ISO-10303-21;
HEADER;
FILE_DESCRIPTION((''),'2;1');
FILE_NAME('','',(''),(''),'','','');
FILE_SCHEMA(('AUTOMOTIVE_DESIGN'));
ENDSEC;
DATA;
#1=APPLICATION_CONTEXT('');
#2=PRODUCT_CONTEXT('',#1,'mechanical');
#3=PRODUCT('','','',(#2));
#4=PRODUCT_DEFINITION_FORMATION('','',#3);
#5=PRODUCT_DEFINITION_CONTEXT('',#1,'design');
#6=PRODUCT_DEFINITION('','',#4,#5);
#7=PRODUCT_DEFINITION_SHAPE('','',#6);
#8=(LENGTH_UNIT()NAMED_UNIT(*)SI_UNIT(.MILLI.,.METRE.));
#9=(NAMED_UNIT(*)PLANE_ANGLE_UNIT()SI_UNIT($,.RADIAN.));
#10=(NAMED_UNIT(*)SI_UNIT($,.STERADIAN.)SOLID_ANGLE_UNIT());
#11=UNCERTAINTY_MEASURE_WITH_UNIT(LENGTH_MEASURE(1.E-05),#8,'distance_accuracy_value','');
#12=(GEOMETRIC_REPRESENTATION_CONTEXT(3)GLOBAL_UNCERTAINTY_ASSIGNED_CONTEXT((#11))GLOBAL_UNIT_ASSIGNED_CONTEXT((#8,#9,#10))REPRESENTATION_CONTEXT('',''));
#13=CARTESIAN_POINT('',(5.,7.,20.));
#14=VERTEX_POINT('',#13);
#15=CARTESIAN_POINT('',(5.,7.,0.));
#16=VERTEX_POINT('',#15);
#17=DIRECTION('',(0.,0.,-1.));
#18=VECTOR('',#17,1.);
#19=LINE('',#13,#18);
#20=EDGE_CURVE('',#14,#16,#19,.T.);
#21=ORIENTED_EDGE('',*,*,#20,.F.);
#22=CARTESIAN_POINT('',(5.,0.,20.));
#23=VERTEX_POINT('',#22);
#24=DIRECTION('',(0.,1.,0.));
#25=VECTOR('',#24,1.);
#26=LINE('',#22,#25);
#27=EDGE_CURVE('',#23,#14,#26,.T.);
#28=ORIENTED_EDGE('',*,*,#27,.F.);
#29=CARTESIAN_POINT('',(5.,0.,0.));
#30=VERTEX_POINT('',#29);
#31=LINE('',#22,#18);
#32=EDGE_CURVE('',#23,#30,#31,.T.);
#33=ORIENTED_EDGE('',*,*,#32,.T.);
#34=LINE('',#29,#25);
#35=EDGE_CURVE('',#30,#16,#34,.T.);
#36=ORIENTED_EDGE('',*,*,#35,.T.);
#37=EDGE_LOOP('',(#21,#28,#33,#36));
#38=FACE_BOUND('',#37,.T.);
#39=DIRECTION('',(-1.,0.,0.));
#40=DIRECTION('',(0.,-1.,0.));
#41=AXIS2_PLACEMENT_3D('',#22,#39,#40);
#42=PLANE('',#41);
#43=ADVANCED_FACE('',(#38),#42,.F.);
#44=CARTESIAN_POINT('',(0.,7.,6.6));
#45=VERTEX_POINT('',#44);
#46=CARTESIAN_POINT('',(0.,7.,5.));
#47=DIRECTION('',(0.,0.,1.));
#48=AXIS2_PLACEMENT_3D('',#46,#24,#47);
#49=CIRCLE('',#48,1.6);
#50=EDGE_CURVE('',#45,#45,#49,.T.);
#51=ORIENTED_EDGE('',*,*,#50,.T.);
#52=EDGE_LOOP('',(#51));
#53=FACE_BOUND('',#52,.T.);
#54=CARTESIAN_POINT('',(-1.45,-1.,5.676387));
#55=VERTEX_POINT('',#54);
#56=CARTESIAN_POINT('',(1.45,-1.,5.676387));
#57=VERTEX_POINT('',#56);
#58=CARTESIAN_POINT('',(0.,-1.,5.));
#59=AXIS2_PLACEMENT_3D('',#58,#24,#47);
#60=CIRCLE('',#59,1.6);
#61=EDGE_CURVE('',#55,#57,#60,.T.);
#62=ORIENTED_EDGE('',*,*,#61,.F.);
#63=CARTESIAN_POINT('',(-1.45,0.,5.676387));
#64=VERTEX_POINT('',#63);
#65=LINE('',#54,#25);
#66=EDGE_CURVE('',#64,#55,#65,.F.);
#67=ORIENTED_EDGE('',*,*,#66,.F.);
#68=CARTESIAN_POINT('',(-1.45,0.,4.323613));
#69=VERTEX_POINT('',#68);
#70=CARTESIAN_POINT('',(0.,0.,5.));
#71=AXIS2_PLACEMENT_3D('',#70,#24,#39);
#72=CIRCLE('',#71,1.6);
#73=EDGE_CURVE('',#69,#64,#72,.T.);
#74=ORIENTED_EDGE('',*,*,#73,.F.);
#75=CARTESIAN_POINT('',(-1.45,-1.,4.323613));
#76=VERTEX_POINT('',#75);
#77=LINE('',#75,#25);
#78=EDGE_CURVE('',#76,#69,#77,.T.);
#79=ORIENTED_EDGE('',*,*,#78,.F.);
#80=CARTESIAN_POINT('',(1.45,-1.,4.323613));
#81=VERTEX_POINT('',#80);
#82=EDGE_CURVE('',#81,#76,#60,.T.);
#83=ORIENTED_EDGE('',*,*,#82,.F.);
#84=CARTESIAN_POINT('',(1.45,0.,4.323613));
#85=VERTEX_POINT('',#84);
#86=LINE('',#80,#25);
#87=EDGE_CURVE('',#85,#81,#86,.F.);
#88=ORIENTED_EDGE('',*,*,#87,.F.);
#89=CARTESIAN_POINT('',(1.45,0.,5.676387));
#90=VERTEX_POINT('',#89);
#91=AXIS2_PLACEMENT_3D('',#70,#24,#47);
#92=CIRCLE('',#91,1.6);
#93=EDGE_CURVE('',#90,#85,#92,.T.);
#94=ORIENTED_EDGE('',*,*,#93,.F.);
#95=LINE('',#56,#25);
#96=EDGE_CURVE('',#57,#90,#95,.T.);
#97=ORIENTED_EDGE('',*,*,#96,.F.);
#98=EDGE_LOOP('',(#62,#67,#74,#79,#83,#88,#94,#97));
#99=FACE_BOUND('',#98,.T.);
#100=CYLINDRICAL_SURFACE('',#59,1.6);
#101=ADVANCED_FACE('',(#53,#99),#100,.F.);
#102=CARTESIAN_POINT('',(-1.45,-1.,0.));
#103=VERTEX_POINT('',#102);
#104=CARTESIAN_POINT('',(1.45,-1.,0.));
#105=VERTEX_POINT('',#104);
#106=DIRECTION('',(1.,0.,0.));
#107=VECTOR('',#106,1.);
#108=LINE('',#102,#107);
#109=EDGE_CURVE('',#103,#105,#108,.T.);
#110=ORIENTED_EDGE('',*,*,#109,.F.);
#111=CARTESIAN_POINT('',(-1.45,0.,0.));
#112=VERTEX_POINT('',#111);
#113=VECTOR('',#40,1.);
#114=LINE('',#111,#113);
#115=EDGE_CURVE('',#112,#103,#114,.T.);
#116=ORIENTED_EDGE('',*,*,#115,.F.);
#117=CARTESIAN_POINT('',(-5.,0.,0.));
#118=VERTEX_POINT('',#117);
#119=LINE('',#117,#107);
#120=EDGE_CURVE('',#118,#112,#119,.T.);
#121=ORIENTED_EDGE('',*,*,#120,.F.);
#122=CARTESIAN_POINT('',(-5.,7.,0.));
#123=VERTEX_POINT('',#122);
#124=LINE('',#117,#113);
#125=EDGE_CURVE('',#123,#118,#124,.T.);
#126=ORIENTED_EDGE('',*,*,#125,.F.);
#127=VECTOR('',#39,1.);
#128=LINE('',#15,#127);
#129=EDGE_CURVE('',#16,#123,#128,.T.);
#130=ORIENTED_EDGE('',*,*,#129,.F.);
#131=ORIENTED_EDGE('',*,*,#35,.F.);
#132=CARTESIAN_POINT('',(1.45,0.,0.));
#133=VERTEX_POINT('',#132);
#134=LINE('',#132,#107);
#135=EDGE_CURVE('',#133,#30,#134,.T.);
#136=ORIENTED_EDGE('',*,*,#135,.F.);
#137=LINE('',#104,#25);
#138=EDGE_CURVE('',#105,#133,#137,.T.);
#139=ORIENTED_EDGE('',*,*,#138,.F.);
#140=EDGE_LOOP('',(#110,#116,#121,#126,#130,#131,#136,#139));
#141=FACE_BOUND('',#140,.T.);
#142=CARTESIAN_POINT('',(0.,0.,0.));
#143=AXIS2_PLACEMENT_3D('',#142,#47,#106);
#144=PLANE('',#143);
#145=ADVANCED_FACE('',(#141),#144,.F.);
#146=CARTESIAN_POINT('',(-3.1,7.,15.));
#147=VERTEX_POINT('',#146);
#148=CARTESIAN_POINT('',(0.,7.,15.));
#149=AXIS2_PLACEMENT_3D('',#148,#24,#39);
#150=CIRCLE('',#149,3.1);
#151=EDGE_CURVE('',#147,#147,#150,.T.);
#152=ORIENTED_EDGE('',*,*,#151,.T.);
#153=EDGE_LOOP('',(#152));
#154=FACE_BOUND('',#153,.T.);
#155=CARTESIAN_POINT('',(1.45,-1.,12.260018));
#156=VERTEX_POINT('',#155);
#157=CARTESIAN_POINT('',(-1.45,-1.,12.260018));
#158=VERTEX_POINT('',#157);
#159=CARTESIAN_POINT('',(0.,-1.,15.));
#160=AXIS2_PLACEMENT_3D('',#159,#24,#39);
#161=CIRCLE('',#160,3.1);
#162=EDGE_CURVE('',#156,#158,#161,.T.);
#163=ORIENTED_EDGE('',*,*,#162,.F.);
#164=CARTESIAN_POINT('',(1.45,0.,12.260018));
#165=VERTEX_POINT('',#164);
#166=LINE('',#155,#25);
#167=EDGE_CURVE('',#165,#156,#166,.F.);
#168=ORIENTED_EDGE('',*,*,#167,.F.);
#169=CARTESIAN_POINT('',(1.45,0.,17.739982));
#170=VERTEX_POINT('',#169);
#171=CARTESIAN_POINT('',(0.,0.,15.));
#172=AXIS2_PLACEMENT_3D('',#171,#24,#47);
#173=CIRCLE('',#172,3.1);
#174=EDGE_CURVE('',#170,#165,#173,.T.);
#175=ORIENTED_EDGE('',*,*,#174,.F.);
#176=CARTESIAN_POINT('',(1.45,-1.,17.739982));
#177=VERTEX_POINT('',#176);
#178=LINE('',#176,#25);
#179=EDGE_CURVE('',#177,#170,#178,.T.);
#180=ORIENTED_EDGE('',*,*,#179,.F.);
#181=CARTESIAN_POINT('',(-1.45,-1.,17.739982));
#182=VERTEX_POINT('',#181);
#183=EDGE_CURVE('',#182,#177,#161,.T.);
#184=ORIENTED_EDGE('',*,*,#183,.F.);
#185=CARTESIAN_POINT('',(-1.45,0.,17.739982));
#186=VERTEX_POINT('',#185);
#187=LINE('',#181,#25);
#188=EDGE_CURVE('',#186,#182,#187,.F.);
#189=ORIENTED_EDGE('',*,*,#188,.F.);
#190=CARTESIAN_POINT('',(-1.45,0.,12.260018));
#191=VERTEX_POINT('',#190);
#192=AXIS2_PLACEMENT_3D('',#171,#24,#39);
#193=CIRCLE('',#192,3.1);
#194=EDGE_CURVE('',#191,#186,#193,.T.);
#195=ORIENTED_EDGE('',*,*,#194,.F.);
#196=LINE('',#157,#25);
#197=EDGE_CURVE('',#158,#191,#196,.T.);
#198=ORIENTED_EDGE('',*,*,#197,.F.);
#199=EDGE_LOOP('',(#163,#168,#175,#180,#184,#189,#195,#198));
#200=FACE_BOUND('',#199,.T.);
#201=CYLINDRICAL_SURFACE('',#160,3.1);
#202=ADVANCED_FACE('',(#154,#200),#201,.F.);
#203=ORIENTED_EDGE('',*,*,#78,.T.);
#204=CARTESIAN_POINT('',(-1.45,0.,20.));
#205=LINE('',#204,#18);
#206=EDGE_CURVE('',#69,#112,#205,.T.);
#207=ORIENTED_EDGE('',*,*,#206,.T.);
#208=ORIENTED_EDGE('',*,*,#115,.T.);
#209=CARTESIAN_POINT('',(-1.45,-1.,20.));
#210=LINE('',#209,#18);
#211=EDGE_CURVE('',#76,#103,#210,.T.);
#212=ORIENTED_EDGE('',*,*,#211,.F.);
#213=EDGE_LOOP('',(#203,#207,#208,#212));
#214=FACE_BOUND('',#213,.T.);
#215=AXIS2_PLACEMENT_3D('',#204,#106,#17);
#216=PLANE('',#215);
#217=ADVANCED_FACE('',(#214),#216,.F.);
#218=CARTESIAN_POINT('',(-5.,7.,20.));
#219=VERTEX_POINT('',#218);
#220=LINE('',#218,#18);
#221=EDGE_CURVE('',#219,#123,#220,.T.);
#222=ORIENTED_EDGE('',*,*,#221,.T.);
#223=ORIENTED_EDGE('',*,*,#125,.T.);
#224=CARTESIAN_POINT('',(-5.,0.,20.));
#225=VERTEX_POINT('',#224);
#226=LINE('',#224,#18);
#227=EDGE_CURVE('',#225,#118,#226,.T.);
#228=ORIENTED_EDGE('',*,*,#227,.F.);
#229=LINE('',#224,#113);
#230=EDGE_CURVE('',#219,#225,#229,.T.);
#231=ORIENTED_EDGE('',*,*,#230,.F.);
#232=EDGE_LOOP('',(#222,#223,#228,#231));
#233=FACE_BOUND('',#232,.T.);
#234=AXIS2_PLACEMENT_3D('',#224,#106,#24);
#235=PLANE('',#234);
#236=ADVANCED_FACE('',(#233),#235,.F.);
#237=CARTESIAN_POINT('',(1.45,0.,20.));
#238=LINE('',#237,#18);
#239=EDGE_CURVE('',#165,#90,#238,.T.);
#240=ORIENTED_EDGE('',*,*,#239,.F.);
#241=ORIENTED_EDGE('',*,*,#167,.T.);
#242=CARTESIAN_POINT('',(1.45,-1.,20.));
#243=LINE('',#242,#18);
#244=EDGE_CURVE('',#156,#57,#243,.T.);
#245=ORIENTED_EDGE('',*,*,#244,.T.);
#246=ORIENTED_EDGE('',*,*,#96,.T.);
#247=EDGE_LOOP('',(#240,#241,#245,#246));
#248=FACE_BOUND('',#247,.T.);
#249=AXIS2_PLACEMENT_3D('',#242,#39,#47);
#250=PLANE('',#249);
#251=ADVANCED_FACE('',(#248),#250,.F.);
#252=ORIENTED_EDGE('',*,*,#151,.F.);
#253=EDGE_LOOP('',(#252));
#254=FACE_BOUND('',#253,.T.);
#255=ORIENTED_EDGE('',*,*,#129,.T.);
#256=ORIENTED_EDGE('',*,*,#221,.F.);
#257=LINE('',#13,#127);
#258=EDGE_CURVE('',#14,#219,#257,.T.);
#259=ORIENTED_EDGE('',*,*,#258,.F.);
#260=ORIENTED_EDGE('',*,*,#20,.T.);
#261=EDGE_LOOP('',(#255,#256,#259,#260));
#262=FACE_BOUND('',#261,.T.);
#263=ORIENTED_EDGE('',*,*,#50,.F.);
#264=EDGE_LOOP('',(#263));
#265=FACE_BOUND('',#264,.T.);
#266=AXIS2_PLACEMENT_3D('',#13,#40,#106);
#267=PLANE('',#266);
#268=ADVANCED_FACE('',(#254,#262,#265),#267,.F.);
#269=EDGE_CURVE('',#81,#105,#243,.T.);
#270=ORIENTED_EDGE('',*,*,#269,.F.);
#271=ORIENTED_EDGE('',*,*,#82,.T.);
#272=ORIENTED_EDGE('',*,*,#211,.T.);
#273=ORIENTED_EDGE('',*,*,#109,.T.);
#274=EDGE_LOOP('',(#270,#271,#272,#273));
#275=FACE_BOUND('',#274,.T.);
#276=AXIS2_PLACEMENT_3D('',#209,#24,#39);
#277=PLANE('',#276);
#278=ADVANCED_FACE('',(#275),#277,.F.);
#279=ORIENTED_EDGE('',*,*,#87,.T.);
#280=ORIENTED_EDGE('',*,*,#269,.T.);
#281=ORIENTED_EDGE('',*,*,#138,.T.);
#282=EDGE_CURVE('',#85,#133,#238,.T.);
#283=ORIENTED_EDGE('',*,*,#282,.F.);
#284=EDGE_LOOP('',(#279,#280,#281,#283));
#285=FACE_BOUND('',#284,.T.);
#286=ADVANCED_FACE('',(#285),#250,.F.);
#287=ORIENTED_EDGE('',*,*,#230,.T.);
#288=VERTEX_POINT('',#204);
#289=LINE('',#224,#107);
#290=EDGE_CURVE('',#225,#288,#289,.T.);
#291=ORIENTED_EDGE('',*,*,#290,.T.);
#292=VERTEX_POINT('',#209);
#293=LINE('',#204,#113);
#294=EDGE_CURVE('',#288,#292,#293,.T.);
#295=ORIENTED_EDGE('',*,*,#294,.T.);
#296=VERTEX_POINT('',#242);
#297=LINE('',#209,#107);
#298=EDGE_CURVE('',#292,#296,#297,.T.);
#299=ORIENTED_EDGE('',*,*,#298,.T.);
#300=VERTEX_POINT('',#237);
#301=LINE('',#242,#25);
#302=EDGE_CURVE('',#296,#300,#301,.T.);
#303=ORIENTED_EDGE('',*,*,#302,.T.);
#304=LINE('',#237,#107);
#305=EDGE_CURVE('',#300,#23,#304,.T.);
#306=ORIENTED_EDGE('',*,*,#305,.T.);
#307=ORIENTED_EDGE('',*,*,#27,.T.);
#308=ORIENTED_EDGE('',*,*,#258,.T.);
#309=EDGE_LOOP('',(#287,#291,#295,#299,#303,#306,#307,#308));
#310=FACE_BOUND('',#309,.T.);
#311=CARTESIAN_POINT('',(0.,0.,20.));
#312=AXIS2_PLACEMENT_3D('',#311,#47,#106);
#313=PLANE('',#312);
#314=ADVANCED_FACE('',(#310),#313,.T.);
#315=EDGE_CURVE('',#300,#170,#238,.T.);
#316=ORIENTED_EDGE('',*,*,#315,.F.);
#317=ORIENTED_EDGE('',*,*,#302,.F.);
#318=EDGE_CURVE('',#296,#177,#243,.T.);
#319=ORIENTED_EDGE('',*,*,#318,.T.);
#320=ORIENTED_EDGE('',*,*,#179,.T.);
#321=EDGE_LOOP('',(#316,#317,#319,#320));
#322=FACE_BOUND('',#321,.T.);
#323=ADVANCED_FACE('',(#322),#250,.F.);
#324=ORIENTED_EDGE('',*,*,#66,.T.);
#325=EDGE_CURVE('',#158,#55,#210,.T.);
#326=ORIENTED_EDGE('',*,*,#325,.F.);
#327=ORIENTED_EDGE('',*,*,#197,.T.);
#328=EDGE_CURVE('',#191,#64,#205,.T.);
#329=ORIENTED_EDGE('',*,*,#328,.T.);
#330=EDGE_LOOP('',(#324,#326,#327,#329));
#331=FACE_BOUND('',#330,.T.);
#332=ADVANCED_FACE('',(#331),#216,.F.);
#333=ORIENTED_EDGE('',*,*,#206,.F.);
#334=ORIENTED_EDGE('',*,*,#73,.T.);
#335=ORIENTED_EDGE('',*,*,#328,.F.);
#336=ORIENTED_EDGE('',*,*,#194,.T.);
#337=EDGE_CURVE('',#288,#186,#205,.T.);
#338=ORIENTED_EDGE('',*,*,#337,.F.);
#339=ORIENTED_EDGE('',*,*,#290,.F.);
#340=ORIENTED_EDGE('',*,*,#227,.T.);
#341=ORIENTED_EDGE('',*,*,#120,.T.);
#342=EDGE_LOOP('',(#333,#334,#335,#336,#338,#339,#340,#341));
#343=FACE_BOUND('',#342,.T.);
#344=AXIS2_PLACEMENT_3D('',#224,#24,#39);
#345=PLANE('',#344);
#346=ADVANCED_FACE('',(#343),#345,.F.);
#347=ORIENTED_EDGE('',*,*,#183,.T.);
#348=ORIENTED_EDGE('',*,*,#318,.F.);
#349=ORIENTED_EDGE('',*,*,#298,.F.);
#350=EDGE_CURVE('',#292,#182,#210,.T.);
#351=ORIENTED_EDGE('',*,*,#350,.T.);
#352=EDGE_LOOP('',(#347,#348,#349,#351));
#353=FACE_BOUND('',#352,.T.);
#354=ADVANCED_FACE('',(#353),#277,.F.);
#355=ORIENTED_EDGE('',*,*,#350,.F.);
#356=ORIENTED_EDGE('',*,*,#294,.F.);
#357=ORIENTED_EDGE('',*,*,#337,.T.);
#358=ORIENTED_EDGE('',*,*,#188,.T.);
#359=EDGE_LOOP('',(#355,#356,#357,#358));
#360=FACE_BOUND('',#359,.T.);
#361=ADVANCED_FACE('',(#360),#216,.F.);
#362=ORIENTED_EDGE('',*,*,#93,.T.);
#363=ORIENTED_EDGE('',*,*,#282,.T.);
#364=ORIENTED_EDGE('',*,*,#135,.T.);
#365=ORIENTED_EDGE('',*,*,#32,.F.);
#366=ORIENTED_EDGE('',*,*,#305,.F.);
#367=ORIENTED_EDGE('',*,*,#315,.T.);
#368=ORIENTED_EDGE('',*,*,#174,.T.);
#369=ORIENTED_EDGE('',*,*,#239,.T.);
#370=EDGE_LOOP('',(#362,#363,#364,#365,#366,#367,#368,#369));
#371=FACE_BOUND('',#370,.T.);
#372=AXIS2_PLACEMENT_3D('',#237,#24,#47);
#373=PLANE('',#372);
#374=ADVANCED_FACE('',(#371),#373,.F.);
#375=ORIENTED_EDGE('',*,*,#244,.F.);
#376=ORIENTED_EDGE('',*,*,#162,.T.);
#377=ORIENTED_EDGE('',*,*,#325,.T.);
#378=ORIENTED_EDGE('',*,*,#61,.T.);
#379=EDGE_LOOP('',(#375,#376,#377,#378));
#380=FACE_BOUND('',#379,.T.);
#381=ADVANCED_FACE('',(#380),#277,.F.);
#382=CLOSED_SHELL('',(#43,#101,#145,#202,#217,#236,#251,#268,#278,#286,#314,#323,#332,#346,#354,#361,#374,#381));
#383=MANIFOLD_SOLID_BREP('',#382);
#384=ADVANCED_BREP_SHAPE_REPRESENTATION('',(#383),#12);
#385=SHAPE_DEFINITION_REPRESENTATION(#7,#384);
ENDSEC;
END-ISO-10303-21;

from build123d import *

# Parameters (mm, degrees)
BOSS_EXTRUDE1_DEPTH = 20
SKETCH2_R           = 3.1
CUT_EXTRUDE1_DEPTH  = 9
SKETCH4_R           = 1.6
CUT_EXTRUDE3_DEPTH  = 9


with BuildPart() as part:
    # Sketch1 → Boss-Extrude1 (new body)
    with BuildSketch(Plane.XY):
        Polygon((-5, 0), (-1.45, 0), (-1.45, -1), (1.45, -1), (1.45, 0), (5, 0), (5, 7), (-5, 7), align=None)
    extrude(amount=BOSS_EXTRUDE1_DEPTH)

    # Sketch2 → Cut-Extrude1 (cut, through all)
    with BuildSketch(Plane(origin=(0, 7, 0), x_dir=(1, 0, 0), z_dir=(0, 1, 0))):
        with Locations((0, -15)):
            Circle(SKETCH2_R)
    extrude(amount=-CUT_EXTRUDE1_DEPTH, mode=Mode.SUBTRACT)

    # Sketch4 → Cut-Extrude3 (cut, through all)
    with BuildSketch(Plane(origin=(0, 7, 0), x_dir=(1, 0, 0), z_dir=(0, 1, 0))):
        with Locations((0, -5)):
            Circle(SKETCH4_R)
    extrude(amount=-CUT_EXTRUDE3_DEPTH, mode=Mode.SUBTRACT)


solid = part.part
